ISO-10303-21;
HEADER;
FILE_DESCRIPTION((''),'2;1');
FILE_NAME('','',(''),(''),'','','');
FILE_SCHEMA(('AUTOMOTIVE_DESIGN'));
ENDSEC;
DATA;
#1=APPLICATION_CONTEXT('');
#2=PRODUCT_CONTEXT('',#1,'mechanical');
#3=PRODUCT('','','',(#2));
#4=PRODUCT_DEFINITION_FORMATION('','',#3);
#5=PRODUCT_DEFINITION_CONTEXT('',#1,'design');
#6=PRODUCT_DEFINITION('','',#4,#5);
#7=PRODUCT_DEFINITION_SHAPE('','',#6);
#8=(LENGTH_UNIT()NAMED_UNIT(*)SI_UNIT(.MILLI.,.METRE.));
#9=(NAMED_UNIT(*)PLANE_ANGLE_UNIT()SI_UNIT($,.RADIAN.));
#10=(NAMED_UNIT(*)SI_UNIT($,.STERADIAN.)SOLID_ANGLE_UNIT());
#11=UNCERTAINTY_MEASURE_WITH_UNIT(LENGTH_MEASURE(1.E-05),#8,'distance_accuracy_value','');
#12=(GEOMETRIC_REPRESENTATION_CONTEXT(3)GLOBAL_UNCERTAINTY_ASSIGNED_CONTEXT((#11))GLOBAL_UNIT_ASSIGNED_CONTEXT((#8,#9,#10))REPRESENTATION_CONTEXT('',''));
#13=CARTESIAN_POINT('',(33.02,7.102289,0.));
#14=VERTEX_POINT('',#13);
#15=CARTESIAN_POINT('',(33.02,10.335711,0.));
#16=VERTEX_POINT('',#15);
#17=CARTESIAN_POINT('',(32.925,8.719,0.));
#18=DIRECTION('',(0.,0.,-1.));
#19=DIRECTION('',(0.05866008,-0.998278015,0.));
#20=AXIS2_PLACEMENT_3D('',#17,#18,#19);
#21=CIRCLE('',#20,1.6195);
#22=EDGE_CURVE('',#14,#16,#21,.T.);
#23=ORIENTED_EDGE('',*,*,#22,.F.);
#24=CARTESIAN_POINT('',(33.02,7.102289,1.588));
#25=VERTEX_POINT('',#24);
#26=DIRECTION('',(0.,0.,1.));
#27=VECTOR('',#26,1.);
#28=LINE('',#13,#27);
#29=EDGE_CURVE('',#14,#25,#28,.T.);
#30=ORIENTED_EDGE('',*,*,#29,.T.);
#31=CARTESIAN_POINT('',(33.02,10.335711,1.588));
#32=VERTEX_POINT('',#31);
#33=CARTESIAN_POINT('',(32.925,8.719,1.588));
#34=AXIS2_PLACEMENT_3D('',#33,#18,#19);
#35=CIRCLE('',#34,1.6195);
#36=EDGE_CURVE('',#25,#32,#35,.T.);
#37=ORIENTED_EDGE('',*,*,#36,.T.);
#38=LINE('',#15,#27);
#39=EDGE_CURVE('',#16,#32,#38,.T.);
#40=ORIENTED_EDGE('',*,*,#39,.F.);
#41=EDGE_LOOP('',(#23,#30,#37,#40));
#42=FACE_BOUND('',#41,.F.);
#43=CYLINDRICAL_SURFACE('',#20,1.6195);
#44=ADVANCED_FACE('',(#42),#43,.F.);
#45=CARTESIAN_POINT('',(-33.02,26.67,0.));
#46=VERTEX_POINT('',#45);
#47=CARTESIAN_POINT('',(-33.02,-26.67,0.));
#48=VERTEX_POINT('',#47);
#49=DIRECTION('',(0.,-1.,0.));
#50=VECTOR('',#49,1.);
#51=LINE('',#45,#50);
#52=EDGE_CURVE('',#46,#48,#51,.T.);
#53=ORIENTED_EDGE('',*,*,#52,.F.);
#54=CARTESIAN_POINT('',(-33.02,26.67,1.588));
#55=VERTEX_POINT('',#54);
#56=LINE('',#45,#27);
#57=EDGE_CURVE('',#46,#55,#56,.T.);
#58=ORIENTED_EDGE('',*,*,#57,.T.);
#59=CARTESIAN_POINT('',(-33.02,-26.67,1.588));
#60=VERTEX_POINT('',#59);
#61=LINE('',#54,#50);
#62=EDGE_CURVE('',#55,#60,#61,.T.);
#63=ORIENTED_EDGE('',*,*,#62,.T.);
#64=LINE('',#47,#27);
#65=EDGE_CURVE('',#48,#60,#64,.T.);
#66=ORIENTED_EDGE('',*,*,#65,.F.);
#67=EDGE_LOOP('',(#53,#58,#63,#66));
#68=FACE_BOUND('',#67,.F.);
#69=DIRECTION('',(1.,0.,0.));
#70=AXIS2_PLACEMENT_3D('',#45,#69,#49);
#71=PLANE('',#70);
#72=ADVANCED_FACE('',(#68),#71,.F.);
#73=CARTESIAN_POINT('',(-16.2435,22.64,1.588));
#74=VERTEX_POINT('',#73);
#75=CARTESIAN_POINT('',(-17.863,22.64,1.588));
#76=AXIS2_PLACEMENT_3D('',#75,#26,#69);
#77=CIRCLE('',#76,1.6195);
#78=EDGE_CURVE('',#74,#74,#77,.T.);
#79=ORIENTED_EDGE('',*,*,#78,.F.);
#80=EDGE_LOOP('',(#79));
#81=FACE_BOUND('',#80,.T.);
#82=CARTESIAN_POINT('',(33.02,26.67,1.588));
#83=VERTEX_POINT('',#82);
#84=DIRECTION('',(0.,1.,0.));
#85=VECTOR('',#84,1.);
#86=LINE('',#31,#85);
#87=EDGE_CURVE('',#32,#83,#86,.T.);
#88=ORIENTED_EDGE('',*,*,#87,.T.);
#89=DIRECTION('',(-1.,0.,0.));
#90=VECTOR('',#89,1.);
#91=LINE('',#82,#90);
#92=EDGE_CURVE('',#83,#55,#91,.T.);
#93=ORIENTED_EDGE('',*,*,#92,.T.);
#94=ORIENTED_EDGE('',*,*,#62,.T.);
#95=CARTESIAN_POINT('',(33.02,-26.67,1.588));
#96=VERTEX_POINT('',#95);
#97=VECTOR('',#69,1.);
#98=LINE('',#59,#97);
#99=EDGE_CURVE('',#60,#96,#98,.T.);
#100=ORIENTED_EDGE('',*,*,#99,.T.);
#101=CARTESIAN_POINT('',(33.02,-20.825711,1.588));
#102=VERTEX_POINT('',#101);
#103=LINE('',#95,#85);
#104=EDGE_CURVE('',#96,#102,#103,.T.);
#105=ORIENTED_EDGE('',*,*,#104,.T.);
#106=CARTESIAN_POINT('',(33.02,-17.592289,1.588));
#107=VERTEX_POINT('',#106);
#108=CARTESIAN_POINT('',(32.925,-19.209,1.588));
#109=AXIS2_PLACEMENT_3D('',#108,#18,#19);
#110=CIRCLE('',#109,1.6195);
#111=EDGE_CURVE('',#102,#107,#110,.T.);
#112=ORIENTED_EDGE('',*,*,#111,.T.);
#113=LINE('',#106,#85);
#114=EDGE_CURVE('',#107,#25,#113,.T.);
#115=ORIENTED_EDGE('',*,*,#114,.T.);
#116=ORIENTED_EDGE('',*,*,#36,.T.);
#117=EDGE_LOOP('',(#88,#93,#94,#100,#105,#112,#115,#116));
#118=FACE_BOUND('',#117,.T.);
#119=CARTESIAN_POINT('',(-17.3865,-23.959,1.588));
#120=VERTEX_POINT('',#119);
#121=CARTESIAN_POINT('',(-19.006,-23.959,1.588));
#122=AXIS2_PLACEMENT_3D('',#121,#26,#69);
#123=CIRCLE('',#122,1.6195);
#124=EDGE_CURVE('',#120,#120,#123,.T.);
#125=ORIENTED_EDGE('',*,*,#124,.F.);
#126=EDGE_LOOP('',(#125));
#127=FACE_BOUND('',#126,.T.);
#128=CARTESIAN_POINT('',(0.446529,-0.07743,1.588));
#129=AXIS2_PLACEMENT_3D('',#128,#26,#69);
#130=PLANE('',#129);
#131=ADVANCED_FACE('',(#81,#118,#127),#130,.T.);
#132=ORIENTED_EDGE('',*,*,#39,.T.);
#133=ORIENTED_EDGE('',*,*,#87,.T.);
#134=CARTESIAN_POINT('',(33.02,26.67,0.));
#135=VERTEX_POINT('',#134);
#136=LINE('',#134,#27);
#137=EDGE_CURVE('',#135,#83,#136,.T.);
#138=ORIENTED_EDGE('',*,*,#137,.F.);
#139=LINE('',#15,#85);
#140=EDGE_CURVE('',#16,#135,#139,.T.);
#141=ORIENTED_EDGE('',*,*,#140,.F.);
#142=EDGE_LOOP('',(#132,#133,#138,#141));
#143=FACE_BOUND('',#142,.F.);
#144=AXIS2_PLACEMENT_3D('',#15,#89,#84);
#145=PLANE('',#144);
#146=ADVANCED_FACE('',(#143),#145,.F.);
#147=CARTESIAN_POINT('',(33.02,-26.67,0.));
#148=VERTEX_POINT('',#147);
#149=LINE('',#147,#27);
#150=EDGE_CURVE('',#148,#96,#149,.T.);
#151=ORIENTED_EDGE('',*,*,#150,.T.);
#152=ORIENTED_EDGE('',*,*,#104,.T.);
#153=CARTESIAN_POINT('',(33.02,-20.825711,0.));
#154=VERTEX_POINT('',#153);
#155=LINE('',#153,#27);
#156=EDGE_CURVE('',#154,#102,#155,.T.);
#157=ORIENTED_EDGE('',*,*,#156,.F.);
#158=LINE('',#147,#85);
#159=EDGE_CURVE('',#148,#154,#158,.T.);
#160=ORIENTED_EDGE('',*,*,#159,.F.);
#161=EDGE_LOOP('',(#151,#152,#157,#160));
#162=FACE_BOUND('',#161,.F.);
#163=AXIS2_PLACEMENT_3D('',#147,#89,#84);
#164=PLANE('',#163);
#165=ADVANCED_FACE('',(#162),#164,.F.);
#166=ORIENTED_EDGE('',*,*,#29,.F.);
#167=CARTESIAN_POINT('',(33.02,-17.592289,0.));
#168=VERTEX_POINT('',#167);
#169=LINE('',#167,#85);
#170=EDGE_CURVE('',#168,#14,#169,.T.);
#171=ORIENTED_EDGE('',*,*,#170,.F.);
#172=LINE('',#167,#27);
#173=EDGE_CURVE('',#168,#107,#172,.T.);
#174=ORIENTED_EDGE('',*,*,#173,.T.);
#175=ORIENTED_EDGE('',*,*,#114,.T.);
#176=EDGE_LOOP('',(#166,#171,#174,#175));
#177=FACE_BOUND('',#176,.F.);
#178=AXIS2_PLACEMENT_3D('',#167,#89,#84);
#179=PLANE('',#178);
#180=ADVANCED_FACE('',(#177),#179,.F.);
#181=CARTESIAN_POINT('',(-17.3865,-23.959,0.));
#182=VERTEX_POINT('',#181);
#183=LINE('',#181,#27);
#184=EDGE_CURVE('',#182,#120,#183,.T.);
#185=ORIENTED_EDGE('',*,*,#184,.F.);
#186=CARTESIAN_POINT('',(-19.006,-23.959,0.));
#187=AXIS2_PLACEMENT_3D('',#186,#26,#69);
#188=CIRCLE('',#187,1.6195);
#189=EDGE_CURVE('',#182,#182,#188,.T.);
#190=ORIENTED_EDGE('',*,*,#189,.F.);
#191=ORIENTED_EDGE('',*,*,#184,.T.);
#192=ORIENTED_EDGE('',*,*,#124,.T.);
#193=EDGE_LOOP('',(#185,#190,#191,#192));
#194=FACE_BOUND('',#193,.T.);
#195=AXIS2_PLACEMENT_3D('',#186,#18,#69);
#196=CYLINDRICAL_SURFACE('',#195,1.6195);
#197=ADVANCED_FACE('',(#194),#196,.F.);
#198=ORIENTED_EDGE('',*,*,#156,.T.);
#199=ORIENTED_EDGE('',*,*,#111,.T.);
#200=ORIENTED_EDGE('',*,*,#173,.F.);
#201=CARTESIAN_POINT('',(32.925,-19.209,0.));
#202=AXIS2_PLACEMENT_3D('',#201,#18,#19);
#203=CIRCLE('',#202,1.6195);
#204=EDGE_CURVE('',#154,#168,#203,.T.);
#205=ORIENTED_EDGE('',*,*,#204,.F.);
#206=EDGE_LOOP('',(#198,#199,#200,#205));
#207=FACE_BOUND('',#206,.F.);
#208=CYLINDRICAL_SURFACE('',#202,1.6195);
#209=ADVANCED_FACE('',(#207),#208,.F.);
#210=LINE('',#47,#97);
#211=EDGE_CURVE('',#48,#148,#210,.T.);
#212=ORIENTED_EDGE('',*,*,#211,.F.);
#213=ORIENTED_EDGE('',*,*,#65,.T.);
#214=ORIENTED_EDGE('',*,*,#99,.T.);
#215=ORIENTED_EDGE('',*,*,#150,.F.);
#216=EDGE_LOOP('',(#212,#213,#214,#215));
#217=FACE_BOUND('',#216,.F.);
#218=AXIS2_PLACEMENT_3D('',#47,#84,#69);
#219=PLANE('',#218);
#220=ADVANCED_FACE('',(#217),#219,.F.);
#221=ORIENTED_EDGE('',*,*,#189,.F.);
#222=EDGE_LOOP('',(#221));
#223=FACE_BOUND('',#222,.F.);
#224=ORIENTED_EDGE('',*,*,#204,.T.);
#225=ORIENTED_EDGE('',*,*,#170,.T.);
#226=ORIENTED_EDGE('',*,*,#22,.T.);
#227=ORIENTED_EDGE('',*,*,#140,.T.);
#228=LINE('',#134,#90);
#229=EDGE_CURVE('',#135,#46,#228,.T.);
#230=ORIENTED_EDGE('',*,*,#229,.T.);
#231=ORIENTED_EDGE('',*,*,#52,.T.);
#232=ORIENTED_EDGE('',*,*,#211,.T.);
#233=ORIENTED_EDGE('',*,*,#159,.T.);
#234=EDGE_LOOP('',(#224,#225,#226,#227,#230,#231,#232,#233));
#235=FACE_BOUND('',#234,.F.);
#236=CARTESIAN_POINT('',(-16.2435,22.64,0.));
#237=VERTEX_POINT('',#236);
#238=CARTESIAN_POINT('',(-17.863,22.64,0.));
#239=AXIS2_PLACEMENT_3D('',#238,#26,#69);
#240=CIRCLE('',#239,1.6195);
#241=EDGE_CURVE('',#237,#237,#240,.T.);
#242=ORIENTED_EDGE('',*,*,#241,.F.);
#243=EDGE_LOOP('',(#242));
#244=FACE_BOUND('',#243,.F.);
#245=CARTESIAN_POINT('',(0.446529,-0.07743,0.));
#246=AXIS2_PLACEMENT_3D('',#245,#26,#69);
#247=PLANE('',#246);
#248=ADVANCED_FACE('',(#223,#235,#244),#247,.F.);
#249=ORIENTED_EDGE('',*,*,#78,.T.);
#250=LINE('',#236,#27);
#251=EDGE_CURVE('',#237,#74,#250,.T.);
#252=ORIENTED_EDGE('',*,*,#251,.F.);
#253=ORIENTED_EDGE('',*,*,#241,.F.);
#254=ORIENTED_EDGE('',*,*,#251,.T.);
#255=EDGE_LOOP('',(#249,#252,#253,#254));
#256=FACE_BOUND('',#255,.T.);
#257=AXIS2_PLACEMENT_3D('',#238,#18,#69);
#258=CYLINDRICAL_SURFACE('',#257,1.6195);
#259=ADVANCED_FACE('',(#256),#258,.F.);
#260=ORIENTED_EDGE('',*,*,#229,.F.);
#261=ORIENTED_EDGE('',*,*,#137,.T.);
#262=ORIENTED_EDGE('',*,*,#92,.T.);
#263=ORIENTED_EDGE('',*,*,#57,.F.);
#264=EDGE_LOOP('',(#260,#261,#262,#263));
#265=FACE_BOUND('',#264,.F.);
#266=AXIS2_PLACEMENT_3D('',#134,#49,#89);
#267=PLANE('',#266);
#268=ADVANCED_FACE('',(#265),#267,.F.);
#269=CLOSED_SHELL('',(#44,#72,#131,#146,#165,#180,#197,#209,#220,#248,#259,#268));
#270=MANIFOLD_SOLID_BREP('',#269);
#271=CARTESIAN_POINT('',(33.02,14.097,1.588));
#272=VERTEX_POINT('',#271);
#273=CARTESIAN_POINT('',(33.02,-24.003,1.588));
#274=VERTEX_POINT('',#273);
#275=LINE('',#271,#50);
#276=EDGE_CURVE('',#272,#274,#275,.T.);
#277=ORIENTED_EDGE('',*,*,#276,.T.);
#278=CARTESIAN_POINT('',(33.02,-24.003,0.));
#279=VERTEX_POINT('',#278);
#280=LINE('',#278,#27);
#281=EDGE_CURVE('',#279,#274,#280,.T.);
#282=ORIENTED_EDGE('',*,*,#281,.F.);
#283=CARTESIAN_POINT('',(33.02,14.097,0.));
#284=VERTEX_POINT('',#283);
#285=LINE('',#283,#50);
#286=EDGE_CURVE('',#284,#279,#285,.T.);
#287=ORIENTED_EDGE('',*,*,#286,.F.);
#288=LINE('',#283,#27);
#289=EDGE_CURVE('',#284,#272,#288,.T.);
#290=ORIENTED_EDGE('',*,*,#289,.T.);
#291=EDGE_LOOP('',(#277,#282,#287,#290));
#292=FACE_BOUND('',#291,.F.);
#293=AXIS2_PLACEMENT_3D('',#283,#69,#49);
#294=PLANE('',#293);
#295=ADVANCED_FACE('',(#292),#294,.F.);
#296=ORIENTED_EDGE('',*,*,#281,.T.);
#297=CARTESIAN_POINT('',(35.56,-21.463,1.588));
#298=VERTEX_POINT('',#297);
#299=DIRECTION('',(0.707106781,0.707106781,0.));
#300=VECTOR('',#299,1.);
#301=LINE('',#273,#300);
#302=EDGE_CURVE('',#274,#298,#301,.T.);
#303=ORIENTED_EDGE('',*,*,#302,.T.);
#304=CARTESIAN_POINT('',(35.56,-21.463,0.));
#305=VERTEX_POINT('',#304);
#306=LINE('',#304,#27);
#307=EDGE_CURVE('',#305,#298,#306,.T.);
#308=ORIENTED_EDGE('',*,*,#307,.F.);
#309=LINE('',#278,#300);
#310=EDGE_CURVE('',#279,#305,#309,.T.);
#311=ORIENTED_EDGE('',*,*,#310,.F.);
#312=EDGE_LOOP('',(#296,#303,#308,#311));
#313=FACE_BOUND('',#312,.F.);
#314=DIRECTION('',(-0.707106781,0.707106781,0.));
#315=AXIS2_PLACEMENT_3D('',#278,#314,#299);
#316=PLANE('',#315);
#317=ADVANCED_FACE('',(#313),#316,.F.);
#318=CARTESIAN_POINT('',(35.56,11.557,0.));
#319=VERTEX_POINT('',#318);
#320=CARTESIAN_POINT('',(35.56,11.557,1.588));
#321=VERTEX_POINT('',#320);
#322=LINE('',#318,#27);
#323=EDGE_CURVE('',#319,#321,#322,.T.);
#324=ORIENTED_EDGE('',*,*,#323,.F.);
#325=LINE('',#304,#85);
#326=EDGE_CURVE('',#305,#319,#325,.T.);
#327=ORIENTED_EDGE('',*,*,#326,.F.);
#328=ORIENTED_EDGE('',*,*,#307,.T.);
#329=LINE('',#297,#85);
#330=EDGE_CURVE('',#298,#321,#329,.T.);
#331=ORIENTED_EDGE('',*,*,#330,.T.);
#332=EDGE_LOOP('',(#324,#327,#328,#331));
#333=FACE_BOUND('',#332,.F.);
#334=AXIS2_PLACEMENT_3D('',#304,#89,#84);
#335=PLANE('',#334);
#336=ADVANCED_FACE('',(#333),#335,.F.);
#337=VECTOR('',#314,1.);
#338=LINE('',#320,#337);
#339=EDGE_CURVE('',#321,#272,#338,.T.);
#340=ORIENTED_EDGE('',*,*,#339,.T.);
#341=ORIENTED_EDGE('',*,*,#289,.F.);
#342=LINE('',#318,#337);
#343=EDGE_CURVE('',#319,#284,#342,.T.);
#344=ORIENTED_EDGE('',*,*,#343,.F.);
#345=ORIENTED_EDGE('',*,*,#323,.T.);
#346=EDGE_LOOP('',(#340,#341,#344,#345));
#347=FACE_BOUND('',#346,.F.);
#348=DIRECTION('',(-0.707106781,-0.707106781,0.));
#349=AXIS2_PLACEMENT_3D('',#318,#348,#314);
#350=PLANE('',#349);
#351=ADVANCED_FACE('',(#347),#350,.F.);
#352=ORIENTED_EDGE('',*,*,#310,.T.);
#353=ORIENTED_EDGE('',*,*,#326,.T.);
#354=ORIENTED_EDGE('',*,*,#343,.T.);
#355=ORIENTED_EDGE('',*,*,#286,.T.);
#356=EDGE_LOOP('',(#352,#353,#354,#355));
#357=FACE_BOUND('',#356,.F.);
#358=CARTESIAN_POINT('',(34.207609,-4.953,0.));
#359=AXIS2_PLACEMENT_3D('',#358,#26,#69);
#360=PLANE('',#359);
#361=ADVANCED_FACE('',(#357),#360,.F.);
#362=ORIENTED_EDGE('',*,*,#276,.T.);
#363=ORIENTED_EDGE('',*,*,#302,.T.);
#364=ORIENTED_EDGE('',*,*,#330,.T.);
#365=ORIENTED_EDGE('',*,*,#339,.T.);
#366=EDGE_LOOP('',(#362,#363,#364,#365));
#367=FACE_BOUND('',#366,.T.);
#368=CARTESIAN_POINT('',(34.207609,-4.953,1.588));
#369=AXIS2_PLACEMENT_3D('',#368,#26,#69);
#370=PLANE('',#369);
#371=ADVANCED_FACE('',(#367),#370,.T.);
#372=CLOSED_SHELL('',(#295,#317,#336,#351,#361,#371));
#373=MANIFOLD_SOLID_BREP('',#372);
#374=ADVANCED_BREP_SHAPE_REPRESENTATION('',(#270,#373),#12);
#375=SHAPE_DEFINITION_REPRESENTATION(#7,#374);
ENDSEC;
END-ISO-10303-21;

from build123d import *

# Parameters (mm, degrees)
F1_R     = 1.6195
F2_DEPTH = 1.588


with BuildPart() as f2:
    # F1 (on face) → F2 (new body)
    with BuildSketch(Plane.XY):
        with BuildLine():
            ThreePointArc((33.02, 7.1022887549), (31.3055, 8.719), (33.02, 10.3357112451))
            Line((33.02, 10.3357112451), (33.02, 14.097))
            Line((33.02, 14.097), (33.02, 26.67))
            Line((33.02, 26.67), (-33.02, 26.67))
            Line((-33.02, 26.67), (-33.02, -26.67))
            Line((-33.02, -26.67), (33.02, -26.67))
            Line((33.02, -26.67), (33.02, -24.003))
            Line((33.02, -24.003), (33.02, -20.8257112451))
            ThreePointArc((33.02, -20.8257112451), (31.3055, -19.209), (33.02, -17.5922887549))
            Line((33.02, -17.5922887549), (33.02, 7.1022887549))
        make_face()
        with Locations((-19.006, -23.959)):
            Circle(F1_R, mode=Mode.SUBTRACT)
        with Locations((-17.863, 22.64)):
            Circle(F1_R, mode=Mode.SUBTRACT)
    extrude(amount=F2_DEPTH)


with BuildPart() as f2b:
    # F0 (on Top) → F2, piece 2 (new body)
    with BuildSketch(Plane.XY):
        Polygon((35.56, 11.557), (33.02, 14.097), (33.02, -24.003), (35.56, -21.463), align=None)
    extrude(amount=F2_DEPTH)


solid = Compound([f2.part, f2b.part])
